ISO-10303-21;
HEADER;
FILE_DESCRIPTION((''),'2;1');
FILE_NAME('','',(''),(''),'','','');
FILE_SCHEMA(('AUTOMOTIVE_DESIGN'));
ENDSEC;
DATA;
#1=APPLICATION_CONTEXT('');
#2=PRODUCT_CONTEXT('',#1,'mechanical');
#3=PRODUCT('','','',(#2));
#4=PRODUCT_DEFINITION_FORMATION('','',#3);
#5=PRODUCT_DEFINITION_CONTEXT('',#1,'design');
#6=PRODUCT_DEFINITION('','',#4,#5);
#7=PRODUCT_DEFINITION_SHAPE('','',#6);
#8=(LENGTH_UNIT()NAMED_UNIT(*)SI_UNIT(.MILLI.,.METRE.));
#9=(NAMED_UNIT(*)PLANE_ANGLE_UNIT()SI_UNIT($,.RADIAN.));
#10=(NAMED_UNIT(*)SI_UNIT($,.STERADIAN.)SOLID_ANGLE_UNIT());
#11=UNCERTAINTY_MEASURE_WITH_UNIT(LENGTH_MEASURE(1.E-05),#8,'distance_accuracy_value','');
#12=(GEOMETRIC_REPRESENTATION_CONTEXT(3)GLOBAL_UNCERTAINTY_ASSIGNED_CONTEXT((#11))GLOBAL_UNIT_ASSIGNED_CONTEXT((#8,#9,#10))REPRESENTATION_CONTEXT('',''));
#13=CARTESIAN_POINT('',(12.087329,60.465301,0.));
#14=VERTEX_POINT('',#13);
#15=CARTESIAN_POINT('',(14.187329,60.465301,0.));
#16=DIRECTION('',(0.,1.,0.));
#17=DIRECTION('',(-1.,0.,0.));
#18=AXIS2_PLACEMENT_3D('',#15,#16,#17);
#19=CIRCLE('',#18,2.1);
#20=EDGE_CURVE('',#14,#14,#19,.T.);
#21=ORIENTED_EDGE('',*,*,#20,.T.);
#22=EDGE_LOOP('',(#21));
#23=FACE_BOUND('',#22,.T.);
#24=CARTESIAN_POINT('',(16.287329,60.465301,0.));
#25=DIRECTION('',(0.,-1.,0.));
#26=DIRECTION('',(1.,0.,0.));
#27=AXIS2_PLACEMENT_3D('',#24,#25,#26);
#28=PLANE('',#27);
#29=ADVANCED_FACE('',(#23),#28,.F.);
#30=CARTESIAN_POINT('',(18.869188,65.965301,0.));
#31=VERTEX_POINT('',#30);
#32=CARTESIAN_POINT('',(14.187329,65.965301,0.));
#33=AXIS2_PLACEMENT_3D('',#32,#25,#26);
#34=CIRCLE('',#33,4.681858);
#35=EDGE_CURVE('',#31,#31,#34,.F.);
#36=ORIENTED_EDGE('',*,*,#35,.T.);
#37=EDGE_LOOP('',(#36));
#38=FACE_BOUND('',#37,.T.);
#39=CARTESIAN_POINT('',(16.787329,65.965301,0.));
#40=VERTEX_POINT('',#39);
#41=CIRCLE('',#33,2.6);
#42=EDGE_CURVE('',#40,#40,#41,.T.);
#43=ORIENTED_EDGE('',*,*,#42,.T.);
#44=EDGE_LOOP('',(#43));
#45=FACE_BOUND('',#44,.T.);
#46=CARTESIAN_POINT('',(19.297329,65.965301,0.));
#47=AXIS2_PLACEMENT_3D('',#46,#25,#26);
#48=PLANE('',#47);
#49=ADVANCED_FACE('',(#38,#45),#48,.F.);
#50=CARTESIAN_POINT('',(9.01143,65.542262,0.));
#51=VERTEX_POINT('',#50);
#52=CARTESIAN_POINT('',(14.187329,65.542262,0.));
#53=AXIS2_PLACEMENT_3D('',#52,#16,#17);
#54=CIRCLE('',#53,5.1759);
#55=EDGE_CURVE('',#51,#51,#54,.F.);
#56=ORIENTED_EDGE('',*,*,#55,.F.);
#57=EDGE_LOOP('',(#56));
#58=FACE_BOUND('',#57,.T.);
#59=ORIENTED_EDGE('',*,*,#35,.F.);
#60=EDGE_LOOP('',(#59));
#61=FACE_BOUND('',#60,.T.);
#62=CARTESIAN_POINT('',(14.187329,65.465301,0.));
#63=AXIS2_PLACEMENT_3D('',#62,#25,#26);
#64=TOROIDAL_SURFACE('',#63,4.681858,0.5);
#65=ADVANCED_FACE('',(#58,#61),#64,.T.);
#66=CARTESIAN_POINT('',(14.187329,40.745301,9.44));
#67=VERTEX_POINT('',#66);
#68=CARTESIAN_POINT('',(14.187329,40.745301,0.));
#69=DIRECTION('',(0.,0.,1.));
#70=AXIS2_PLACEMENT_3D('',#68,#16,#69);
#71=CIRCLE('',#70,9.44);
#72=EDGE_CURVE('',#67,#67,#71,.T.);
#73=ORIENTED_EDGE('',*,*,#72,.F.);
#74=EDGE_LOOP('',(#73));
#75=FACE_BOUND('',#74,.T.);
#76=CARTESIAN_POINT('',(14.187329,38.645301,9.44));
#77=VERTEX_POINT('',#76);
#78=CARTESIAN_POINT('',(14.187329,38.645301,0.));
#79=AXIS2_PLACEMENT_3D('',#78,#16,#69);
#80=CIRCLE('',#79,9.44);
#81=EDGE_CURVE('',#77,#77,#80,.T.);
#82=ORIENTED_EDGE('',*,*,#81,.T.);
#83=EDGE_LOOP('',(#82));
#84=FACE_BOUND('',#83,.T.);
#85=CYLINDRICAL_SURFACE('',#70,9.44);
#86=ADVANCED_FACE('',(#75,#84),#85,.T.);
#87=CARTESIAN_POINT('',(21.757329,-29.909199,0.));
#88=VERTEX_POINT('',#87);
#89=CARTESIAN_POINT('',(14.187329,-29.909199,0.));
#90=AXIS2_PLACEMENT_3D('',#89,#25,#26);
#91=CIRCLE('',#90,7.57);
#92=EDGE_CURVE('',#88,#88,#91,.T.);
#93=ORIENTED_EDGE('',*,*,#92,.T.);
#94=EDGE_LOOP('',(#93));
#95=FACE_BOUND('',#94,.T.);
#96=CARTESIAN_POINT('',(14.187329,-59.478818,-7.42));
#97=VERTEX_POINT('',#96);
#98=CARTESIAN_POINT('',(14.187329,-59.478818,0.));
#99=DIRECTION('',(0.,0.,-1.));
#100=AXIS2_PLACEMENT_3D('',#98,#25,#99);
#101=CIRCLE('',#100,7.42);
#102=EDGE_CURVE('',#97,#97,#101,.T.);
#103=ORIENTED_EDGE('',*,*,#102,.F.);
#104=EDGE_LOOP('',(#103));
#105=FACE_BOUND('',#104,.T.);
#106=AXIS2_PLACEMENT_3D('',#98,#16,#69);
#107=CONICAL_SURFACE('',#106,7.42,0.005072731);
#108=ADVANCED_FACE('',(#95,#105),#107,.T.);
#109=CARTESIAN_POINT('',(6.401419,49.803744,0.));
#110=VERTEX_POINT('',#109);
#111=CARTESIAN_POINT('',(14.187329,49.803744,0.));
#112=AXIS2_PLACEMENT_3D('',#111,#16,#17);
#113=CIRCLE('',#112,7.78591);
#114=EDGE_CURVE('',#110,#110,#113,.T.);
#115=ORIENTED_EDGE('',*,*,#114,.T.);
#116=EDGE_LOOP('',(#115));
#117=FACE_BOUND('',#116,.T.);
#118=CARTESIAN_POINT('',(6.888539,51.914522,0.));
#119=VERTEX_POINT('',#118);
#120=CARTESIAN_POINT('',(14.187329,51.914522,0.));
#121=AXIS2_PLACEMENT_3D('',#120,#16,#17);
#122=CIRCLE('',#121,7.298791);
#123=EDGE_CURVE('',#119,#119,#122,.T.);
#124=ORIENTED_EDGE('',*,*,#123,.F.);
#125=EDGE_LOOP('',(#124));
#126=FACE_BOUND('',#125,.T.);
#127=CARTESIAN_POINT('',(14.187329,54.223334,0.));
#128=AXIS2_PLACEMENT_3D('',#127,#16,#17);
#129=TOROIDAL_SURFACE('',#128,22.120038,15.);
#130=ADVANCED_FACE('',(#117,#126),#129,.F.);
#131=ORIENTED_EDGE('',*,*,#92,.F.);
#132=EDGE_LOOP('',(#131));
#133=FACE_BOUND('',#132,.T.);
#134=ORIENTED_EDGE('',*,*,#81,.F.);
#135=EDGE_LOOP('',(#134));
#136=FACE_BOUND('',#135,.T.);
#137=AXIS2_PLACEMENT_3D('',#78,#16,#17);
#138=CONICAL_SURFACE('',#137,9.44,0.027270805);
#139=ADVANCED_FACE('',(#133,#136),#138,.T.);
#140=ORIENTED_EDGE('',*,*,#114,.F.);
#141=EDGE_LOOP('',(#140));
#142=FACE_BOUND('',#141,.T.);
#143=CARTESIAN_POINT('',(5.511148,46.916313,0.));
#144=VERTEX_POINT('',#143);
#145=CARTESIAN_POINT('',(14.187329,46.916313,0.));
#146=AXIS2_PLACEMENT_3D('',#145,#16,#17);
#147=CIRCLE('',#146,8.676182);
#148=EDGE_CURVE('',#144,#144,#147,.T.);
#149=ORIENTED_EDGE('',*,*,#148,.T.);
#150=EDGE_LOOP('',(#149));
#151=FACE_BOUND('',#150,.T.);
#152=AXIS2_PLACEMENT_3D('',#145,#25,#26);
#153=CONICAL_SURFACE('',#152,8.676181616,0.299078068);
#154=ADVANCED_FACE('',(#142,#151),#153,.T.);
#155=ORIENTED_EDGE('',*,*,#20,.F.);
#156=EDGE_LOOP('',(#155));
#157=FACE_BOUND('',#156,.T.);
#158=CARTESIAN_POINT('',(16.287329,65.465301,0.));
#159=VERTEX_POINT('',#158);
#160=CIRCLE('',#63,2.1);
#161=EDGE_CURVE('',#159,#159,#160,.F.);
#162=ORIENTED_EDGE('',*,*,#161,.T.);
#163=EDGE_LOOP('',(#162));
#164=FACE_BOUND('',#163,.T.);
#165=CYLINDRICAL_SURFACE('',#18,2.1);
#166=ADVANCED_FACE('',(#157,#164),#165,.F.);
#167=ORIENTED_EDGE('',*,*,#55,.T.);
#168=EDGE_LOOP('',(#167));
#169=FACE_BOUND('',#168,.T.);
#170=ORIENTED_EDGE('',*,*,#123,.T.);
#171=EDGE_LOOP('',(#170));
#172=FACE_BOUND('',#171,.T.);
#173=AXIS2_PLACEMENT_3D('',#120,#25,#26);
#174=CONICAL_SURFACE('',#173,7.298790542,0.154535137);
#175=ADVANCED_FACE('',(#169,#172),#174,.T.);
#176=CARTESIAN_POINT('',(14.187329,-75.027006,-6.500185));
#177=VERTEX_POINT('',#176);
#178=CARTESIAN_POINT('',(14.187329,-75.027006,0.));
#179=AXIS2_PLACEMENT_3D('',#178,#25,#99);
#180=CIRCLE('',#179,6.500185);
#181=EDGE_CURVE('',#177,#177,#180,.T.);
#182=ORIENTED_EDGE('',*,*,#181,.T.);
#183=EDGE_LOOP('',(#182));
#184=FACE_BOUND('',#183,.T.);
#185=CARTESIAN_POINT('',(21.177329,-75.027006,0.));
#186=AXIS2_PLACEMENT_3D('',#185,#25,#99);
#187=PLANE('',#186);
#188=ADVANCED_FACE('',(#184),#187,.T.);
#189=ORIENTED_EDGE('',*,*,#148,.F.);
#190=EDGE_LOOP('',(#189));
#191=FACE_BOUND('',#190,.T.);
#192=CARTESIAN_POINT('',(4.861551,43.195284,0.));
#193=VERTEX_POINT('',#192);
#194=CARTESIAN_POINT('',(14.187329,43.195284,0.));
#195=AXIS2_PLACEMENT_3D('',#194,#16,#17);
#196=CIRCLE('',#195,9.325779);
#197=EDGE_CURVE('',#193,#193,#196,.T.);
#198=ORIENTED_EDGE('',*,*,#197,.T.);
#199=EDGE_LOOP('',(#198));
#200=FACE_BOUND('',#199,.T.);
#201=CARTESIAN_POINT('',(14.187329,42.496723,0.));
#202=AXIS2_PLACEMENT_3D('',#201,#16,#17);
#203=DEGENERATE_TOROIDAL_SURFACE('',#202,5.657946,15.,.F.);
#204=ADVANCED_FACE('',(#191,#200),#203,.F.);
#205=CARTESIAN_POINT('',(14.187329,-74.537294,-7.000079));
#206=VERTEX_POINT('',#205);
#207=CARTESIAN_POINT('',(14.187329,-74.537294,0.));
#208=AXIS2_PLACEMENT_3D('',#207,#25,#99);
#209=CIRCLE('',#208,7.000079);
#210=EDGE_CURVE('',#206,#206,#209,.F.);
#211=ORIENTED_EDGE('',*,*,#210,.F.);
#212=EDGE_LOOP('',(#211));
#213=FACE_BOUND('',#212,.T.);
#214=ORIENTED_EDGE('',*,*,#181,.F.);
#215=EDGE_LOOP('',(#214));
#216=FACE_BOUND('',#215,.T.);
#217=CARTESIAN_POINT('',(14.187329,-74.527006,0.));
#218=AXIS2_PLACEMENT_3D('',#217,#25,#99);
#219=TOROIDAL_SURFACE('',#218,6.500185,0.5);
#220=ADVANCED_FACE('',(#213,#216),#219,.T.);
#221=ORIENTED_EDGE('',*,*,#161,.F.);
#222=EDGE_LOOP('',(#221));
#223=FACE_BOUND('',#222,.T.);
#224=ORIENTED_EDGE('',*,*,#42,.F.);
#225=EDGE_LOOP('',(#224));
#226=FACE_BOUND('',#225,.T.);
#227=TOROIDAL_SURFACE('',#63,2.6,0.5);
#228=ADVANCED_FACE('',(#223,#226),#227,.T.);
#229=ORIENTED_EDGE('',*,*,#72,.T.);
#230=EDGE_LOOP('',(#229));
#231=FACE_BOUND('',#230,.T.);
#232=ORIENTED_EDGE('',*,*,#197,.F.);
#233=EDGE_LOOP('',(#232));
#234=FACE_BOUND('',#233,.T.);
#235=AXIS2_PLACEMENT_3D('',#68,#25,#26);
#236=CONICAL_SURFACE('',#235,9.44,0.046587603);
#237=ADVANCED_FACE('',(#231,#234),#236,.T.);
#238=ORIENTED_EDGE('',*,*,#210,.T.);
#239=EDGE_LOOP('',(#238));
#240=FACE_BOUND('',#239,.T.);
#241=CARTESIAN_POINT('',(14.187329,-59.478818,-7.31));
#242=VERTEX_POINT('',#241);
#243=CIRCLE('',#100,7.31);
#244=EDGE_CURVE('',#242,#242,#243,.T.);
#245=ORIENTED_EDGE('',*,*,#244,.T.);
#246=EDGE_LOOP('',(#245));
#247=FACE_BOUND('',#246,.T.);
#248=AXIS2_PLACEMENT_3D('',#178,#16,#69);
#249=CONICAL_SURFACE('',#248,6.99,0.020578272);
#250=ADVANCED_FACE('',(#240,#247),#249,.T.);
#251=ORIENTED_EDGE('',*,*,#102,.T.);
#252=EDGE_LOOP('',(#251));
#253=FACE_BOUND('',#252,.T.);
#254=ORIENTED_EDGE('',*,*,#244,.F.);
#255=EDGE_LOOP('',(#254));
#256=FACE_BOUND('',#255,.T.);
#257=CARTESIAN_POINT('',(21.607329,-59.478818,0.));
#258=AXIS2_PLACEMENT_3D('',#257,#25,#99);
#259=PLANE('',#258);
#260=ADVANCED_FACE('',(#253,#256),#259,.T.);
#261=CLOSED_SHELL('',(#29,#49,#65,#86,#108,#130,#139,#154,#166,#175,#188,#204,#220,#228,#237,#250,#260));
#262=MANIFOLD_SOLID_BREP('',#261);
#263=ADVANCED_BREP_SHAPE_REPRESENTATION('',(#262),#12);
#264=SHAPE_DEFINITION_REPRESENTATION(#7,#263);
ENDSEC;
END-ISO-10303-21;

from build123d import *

# Parameters (mm, degrees)
SKETCH_3_W = 9.44
SKETCH_3_H = 2.1
FILLET_1_R = 0.5


with BuildPart() as part:
    # 草图1 → 旋转1 (revolve)
    with BuildSketch(Plane.XY):
        Polygon((14.187329426, 38.64530146), (23.627329426, 38.64530146), (21.757329426, -29.909198757), (14.187329426, -29.909198757), align=None)
    revolve(axis=Axis((14.187329426, -29.909198757, 0), (0, 1, 0)))

    # 草图3 → 旋转2 (revolve)
    with BuildSketch(Plane.XY, mode=Mode.PRIVATE) as revolve_2_sk:
        with Locations((18.907329426, 39.69530146)):
            Rectangle(SKETCH_3_W, SKETCH_3_H)
    revolve(revolve_2_sk.sketch.rotate(Axis((14.187329426, 40.74530146, 0), (0, -1, 0)), 90), axis=Axis((14.187329426, 40.74530146, 0), (0, -1, 0)))

    # 草图5 → 旋转3 (revolve)
    with BuildSketch(Plane.XY, mode=Mode.PRIVATE) as revolve_3_sk:
        with BuildLine():
            Line((14.187329426, 40.74530146), (23.627329426, 40.74530146))
            Line((23.627329426, 40.74530146), (23.513107962, 43.195284059))
            ThreePointArc((23.513107962, 43.195284059), (23.30590626, 45.076327762), (22.863511042, 46.916312662))
            Line((22.863511042, 46.916312662), (21.973239823, 49.803743827))
            ThreePointArc((21.973239823, 49.803743827), (21.691526032, 50.850327778), (21.486119968, 51.914521827))
            Line((21.486119968, 51.914521827), (19.297329426, 65.96530146))
            Line((19.297329426, 65.96530146), (16.287329426, 65.96530146))
            Line((16.287329426, 65.96530146), (16.287329426, 60.46530146))
            Line((16.287329426, 60.46530146), (14.187329426, 60.46530146))
            Line((14.187329426, 60.46530146), (14.187329426, 40.74530146))
        make_face()
    revolve(revolve_3_sk.sketch.rotate(Axis((14.187329426, 60.46530146, 0), (0, -1, 0)), 180), axis=Axis((14.187329426, 60.46530146, 0), (0, -1, 0)))

    # 草图6 → 旋转4 (revolve)
    with BuildSketch(Plane.XY, mode=Mode.PRIVATE) as revolve_4_sk:
        Polygon((14.187329426, -29.909198757), (21.757329426, -29.909198757), (21.607329426, -59.478818302), (21.497329426, -59.478818302), (21.177329426, -75.027006041), (14.187329426, -75.027006041), (14.187329426, -59.478818302), align=None)
    revolve(revolve_4_sk.sketch.rotate(Axis((14.187329426, -59.478818302, 0), (0, 1, 0)), 270), axis=Axis((14.187329426, -59.478818302, 0), (0, 1, 0)))

    # 圆角1
    fillet_1_edges = [part.edges().sort_by_distance(p)[0] for p in [
        (16.287329426, 65.96530146, 0),
        (19.297329426, 65.96530146, 0),
        (14.187329426, -75.027006041, -6.99),
    ]]
    fillet(fillet_1_edges, radius=FILLET_1_R)


solid = part.part
